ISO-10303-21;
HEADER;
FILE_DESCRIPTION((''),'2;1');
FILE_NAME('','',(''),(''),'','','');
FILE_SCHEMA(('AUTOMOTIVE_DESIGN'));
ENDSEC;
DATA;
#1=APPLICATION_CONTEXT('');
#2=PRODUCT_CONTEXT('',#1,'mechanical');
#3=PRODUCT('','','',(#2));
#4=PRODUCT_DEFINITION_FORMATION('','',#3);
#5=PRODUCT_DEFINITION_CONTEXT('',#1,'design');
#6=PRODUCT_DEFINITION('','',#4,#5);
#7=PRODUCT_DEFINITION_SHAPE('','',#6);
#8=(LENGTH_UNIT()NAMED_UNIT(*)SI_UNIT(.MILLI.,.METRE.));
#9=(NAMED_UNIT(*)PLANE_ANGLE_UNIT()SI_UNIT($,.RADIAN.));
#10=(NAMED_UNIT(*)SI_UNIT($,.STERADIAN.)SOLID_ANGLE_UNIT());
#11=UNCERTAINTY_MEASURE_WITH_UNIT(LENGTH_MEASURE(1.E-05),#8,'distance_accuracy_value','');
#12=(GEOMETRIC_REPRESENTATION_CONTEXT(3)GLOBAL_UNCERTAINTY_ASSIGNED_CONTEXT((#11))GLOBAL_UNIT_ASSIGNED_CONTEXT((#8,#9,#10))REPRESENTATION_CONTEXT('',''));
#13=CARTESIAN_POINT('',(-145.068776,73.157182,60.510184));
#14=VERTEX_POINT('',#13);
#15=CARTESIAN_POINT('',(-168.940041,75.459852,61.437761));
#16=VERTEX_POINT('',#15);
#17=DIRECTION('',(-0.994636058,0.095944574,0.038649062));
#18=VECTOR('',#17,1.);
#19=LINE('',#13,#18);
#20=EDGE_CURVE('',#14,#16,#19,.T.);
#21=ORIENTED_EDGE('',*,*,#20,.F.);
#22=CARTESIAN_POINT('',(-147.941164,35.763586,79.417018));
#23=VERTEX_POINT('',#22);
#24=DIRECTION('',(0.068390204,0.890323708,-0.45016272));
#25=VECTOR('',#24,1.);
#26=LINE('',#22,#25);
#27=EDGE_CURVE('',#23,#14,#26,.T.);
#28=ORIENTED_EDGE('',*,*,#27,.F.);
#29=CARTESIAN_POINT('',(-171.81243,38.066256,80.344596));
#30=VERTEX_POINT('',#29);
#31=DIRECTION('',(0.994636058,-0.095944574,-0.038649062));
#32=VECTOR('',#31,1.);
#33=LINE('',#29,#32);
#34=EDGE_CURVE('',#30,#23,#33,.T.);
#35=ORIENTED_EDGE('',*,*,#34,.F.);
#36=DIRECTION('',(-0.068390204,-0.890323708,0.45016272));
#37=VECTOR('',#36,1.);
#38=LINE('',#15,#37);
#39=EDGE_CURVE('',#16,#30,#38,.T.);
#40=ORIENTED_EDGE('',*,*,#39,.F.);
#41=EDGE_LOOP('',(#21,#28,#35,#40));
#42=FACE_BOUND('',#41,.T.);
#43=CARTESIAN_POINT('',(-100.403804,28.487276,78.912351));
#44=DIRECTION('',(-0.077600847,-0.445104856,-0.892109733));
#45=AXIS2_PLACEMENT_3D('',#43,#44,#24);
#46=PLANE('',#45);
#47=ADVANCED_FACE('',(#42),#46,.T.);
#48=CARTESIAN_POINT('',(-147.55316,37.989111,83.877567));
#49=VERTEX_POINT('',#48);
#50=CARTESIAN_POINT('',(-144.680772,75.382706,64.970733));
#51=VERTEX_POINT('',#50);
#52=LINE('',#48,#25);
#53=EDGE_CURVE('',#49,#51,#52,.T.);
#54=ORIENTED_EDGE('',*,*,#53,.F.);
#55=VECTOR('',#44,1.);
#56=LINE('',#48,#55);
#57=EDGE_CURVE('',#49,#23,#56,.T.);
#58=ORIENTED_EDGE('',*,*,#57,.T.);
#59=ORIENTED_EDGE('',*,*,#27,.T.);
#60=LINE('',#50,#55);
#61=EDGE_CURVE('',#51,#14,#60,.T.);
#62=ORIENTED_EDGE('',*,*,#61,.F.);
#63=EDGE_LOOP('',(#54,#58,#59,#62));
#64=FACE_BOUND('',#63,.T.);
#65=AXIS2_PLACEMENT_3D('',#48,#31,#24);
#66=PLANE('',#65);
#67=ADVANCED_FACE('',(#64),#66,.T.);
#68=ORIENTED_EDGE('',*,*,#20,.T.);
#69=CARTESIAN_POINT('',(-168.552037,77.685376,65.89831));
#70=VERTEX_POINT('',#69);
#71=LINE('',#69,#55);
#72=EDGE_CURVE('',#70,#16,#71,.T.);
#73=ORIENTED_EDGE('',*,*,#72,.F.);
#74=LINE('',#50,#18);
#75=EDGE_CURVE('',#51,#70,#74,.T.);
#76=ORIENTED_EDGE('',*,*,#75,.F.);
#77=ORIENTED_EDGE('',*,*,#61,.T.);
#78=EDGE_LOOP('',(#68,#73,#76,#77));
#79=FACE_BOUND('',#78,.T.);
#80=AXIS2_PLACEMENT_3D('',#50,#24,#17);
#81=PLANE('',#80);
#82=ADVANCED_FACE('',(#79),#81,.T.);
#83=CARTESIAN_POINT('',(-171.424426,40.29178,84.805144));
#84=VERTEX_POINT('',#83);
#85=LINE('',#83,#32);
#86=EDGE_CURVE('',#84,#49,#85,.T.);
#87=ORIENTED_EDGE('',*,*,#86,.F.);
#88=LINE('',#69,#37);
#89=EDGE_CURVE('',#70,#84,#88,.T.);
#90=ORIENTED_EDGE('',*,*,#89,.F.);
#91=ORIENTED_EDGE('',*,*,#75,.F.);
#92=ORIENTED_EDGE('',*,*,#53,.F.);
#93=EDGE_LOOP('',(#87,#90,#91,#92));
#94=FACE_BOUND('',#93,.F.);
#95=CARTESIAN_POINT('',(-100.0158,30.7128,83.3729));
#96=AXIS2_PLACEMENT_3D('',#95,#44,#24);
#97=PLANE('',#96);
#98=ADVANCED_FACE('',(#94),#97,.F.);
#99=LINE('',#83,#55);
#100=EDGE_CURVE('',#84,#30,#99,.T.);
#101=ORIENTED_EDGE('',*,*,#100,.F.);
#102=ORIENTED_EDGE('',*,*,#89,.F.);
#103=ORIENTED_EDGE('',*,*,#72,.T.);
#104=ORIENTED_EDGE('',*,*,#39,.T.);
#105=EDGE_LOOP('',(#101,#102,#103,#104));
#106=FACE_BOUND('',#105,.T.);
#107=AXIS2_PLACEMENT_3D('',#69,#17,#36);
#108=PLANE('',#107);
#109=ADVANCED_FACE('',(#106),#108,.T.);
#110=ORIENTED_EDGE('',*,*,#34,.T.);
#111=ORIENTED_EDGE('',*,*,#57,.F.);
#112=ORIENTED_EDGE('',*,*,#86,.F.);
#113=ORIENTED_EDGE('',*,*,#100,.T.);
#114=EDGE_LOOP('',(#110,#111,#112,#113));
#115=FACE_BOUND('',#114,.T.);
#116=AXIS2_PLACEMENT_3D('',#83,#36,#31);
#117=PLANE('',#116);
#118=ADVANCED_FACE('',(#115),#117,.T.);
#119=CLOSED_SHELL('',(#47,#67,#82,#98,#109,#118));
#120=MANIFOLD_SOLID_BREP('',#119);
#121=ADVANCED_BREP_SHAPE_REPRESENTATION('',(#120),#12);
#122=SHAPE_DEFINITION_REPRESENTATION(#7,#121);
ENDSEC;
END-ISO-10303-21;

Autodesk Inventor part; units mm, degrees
ref_plane "YZ Plane" through (0, 0, 0) normal (1, 0, 0) x (0, 1, 0)
ref_plane "XZ Plane" through (0, 0, 0) normal (0, 1, 0) x (-1, 0, 0)
ref_plane "XY Plane" through (0, 0, 0) normal (0, 0, 1) x (1, 0, 0)
ref_plane "작업 평면1" through (-100.0158, 30.7128, 83.3729) normal (-0.0776, -0.4451, -0.8921) x (0.0684, 0.8904, -0.4501)
sketch "스케치1" plane through (-100.0158, 30.7128, 83.3729) normal (-0.0776, -0.4451, -0.8921) x (0.0684, 0.8904, -0.4501)
  line L0 (3, -48) -> (45, -48)
  line L1 (45, -48) -> (45, -72)
  line L2 (45, -72) -> (3, -72)
  line L3 (3, -72) -> (3, -48)
  point P0 (17.0185, 105.6505)
  dimension "d6" = 42
  dimension "d7" = 24
extrude "돌출1" add sketch "스케치1" along normal blind 5
properties part number "베어링받침대2"
